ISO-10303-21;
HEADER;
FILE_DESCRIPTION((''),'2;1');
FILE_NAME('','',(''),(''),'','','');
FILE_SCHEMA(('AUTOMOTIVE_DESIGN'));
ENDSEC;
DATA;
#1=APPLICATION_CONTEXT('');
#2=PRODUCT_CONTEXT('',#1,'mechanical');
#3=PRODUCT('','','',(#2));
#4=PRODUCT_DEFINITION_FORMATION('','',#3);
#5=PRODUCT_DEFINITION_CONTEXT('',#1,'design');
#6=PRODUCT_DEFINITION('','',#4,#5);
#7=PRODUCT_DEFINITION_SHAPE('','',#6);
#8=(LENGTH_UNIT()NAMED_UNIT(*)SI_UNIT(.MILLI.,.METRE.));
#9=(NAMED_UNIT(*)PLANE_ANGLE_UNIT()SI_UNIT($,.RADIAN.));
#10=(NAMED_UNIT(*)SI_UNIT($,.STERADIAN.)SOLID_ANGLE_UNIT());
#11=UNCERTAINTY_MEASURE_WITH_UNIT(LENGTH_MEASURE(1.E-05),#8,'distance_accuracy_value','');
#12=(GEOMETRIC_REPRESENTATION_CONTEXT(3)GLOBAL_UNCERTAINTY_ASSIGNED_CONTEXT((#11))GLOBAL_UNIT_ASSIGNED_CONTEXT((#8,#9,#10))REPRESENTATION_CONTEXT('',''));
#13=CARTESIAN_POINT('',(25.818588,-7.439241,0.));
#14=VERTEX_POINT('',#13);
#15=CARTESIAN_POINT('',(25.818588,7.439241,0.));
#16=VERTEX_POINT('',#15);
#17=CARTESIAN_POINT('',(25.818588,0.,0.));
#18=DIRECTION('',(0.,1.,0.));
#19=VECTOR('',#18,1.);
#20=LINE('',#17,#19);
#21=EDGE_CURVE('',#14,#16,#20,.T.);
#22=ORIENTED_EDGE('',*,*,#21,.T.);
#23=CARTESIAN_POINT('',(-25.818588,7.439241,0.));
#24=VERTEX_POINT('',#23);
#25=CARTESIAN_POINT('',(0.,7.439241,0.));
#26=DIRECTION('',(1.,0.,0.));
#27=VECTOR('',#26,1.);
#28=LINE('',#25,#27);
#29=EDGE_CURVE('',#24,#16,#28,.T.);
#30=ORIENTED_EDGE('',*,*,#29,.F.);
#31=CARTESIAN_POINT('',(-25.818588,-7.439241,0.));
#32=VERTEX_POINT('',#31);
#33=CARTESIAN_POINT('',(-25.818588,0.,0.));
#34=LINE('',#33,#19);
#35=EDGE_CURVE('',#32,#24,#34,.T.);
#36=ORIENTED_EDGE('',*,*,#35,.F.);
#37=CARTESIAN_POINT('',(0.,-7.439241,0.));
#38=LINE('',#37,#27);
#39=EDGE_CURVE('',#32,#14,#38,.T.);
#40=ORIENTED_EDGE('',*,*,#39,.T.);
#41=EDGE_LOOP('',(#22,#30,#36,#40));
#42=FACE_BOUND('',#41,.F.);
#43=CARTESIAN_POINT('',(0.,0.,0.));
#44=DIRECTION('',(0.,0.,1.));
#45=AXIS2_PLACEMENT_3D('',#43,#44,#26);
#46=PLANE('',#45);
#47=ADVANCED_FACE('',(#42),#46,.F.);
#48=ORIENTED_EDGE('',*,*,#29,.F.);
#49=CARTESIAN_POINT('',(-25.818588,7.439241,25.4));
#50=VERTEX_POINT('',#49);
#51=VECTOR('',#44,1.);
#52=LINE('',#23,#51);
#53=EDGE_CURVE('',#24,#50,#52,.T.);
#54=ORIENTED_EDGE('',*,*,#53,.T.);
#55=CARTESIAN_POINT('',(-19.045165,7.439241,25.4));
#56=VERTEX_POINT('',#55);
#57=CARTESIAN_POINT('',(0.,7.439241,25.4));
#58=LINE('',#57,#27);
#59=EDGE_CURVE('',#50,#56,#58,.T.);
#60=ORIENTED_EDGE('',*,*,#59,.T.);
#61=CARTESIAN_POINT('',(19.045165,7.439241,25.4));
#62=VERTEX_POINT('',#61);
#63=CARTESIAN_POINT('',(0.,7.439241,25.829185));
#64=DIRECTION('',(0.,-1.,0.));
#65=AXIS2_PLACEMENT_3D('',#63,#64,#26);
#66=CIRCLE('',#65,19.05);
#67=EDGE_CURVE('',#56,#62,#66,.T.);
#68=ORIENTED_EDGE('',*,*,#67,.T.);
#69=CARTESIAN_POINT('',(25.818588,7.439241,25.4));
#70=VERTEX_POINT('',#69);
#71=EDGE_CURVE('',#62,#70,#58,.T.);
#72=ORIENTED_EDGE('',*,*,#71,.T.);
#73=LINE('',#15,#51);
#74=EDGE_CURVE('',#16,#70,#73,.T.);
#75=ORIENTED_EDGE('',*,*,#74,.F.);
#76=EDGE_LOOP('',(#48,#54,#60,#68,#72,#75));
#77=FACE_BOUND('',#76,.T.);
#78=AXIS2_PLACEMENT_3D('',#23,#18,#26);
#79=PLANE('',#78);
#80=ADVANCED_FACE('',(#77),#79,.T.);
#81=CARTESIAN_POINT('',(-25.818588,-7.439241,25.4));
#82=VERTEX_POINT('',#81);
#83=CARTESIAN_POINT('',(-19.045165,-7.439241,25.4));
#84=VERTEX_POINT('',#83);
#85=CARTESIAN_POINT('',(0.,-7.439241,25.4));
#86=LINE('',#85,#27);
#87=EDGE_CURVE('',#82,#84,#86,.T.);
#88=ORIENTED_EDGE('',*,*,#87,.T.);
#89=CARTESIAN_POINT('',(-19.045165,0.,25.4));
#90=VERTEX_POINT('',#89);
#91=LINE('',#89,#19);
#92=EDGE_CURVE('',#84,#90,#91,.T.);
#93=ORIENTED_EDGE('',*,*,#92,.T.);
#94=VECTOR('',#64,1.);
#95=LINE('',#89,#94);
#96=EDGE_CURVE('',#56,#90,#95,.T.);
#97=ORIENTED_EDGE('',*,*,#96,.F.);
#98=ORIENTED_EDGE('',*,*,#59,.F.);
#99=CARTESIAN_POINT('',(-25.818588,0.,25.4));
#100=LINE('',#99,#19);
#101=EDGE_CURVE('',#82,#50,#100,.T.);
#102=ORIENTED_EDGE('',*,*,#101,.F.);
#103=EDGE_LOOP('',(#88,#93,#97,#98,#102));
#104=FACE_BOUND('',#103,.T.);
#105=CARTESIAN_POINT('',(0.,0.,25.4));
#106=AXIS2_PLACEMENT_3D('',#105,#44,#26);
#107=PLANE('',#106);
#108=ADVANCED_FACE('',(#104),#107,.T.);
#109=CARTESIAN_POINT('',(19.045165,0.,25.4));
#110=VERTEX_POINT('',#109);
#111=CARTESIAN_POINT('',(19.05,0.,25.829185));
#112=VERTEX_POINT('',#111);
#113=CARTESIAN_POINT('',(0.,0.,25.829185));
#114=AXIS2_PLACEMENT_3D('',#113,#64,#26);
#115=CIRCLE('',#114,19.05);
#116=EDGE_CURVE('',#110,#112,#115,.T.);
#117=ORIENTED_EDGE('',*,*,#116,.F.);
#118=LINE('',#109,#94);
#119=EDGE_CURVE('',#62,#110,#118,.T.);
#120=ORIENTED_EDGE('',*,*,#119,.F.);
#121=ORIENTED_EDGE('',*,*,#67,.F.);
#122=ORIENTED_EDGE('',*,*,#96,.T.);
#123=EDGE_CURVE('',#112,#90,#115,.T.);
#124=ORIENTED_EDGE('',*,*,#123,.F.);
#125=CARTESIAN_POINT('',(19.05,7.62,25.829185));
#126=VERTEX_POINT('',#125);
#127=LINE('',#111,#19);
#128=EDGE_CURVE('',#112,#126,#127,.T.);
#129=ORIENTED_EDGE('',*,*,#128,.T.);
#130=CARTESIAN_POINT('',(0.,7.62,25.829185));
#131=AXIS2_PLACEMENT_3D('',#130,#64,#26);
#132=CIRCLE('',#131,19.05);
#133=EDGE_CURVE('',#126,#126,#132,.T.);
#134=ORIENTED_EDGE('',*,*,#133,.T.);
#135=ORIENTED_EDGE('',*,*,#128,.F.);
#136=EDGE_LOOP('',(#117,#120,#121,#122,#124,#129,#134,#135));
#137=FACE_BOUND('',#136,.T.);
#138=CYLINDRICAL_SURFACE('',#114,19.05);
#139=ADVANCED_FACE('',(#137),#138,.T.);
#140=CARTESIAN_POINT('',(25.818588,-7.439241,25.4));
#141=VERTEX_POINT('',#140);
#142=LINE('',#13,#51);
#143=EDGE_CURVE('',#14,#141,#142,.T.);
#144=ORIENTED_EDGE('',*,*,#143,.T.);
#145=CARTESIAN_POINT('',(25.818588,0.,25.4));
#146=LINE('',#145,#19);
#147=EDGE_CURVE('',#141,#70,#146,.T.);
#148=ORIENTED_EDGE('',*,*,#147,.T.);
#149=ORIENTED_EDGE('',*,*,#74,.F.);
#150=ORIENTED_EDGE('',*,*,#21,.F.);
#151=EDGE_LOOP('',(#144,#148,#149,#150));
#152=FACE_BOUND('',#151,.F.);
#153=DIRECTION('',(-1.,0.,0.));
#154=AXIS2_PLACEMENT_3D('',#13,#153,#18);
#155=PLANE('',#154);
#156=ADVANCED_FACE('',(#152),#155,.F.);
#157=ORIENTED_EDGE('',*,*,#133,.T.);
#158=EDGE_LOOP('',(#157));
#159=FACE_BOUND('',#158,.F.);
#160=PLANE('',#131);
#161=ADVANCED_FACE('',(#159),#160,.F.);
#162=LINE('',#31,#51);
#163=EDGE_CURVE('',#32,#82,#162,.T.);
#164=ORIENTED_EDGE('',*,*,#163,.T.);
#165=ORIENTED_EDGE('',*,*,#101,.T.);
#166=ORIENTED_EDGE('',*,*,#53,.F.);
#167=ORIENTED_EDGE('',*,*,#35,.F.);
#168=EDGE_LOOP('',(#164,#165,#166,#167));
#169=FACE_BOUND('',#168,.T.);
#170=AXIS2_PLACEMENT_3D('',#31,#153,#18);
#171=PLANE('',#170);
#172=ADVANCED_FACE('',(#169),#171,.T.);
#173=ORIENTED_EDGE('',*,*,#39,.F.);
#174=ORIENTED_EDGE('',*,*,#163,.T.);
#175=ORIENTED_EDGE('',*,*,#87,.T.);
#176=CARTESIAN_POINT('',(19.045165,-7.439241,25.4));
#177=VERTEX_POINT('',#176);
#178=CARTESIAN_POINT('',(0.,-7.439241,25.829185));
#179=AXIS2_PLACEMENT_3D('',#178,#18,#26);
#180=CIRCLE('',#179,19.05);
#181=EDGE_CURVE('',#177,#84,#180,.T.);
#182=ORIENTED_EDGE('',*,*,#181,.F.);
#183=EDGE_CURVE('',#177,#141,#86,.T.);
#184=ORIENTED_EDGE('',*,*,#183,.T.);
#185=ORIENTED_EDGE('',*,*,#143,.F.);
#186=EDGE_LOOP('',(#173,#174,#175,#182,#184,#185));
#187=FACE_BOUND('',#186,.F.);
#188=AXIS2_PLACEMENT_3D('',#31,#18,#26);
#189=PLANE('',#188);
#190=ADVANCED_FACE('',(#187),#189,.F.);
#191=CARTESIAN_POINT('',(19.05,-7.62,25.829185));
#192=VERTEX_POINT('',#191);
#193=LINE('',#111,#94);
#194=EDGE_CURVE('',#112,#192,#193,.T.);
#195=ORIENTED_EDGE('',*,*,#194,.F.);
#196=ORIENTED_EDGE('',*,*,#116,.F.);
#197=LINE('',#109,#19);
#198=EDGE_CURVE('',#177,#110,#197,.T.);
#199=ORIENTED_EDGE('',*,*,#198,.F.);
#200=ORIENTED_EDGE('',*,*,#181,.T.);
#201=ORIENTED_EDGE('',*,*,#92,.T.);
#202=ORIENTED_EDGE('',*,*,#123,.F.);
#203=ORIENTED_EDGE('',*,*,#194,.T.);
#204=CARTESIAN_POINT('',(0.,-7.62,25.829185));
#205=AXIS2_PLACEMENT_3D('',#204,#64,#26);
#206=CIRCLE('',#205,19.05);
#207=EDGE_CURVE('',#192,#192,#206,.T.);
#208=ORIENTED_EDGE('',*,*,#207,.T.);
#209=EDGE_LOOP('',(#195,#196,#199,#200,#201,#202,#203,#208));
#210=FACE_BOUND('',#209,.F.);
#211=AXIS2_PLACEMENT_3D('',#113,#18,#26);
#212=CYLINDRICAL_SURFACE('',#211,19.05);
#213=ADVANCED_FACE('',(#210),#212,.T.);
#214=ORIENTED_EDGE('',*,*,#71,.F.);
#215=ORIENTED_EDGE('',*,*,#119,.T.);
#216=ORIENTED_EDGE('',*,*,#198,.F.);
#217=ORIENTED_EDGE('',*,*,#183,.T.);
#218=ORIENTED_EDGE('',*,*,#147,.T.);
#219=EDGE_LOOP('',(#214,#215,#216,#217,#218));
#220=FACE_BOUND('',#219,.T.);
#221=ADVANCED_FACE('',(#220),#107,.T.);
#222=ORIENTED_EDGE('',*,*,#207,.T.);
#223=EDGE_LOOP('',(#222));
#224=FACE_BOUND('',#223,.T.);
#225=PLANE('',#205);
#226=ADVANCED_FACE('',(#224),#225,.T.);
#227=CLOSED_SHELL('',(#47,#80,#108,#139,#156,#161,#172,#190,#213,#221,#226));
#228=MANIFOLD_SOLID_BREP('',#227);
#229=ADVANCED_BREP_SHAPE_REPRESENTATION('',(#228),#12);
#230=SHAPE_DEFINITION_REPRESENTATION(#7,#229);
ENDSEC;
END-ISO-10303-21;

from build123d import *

# Parameters (mm, degrees)
F0_W          = 51.637176
F0_H          = 14.878482
F1_DEPTH      = 25.4
F2_R          = 19.05
F3_DEPTH      = 7.62
F3_DEPTH_BACK = 7.62


with BuildPart() as f1:
    # F0 (on Top) → F1 (new body)
    with BuildSketch(Plane.XY):
        Rectangle(F0_W, F0_H)
    extrude(amount=F1_DEPTH)

    # F2 (on Front) → F3 (join, two sides)
    with BuildSketch(Plane.XZ) as f3_sk:
        with Locations((0, 25.829185)):
            Circle(F2_R)
    extrude(amount=F3_DEPTH)
    extrude(f3_sk.sketch, amount=-F3_DEPTH_BACK)


solid = f1.part
